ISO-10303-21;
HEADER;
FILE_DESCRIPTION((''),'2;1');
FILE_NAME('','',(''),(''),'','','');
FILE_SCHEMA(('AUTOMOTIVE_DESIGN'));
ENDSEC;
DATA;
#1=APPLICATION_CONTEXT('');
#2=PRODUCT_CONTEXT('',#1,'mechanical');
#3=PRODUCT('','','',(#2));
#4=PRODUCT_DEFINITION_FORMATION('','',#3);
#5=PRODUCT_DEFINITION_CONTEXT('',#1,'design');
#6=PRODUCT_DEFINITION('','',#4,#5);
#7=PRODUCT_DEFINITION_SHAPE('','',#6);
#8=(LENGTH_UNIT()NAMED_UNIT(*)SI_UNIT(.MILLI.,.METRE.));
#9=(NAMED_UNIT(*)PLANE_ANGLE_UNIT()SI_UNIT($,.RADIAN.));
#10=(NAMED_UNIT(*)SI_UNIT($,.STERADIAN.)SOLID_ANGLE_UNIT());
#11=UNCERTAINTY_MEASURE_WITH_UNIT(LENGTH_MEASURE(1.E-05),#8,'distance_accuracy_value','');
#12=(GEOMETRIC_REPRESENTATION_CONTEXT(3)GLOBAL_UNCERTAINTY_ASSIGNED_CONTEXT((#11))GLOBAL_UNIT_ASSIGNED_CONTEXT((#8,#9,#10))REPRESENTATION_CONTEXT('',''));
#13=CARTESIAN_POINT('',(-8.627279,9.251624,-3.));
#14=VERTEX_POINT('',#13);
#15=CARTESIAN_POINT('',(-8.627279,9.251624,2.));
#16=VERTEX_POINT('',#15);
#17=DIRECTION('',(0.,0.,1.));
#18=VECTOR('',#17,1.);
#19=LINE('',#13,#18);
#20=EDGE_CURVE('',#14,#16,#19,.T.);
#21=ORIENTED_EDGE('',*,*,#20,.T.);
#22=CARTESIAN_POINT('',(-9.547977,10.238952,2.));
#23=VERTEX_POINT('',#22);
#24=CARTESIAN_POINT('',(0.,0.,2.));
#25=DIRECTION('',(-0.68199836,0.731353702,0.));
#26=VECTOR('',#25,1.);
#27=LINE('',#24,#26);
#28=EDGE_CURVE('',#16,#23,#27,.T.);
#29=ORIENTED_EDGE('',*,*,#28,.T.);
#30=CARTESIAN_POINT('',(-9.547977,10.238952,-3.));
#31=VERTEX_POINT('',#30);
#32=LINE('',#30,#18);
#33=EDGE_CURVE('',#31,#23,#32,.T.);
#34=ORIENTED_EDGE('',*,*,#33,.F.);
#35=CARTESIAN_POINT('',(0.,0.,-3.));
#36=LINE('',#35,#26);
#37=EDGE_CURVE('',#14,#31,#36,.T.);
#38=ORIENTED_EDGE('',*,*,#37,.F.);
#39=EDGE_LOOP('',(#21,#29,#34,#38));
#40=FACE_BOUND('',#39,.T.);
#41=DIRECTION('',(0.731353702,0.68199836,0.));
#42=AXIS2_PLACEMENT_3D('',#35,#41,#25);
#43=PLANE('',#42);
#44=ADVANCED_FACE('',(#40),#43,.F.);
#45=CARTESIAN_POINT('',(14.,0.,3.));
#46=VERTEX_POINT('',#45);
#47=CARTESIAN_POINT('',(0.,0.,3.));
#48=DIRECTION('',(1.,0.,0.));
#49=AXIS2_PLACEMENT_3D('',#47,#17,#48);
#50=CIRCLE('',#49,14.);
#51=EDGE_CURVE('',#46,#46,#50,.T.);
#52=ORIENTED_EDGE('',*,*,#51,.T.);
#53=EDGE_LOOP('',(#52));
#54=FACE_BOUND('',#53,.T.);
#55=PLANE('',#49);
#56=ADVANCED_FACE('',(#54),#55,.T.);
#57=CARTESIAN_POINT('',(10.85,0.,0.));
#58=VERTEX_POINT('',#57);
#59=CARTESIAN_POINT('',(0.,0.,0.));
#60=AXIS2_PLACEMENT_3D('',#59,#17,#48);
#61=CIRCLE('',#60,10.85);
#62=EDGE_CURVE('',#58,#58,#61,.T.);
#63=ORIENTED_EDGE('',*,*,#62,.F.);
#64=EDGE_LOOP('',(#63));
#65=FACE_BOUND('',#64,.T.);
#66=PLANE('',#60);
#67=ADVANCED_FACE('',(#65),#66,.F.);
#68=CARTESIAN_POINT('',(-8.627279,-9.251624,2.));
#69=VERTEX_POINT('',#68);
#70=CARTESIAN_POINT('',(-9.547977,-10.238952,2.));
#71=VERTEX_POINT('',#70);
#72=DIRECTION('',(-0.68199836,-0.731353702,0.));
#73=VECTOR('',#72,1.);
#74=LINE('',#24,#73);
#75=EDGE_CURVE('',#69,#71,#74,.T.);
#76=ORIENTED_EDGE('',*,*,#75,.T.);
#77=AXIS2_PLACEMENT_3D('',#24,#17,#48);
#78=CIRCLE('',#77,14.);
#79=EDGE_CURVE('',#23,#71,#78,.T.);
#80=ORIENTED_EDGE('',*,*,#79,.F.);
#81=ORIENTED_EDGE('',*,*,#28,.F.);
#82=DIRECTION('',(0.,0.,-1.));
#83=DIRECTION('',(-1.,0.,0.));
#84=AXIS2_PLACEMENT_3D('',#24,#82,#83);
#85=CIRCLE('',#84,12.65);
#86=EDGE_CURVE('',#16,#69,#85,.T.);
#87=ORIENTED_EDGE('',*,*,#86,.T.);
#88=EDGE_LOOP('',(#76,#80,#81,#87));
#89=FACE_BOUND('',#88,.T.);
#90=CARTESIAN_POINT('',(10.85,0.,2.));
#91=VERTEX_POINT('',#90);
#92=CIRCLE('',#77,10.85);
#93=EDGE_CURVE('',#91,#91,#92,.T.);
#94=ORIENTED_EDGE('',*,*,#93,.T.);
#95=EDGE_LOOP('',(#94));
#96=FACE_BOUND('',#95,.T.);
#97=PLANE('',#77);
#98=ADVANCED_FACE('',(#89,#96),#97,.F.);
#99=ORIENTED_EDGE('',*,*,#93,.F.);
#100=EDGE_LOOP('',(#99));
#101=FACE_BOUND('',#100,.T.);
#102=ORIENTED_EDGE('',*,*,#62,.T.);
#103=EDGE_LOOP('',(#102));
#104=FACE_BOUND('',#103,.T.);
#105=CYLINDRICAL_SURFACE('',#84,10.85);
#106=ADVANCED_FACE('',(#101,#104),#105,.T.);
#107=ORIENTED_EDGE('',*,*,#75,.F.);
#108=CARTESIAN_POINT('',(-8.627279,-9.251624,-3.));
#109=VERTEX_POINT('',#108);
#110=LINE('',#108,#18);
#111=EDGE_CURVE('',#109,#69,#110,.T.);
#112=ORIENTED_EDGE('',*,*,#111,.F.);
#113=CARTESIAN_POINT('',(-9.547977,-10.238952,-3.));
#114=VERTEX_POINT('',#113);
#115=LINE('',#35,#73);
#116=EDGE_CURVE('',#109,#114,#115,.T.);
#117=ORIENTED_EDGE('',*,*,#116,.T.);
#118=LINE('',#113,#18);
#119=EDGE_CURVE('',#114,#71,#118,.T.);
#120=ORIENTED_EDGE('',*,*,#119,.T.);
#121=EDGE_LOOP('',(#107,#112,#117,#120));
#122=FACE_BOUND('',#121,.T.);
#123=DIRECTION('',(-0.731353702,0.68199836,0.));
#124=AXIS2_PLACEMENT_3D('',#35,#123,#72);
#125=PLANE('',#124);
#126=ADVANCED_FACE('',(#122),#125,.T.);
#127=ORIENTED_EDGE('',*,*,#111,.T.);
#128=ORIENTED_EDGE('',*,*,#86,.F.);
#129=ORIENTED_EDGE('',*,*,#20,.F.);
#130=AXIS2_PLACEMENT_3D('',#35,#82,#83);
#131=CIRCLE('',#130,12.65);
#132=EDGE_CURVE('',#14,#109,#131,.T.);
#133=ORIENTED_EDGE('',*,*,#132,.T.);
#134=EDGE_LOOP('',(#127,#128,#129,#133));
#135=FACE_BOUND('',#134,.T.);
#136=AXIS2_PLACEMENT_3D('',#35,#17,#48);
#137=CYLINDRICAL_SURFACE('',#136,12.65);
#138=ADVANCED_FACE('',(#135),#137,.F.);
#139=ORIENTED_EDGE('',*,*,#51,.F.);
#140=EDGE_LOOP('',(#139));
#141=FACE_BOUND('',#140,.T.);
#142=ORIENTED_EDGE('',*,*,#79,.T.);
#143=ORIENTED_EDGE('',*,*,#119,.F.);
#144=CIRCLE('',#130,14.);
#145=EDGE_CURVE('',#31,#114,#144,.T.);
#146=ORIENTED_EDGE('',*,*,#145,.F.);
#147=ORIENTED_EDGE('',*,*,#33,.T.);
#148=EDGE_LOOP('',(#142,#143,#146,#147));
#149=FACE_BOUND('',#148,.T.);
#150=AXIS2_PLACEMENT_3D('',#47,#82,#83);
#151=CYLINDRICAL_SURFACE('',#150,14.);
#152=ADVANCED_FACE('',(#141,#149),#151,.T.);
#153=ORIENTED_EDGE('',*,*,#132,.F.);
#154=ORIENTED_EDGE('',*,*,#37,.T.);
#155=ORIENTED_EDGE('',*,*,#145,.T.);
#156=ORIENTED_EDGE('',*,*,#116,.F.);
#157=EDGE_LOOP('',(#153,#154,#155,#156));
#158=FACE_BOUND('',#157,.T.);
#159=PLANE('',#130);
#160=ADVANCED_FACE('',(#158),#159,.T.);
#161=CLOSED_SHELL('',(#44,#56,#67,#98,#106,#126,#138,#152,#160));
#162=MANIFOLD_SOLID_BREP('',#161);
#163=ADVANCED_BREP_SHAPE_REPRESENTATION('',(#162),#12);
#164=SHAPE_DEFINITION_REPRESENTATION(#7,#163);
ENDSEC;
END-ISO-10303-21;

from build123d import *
from build123d.topology import SkipClean

# Parameters (mm, degrees)
SKETCH1_R           = 10.85
BOSS_EXTRUDE1_DEPTH = 2
SKETCH2_R           = 14
BOSS_EXTRUDE2_DEPTH = 1
BOSS_EXTRUDE3_START = 5
BOSS_EXTRUDE3_DEPTH = 5


with BuildPart() as part:
    # Sketch1 → Boss-Extrude1 (new body)
    with BuildSketch(Plane.XY):
        Circle(SKETCH1_R)
    extrude(amount=BOSS_EXTRUDE1_DEPTH)

    # Sketch2 → Boss-Extrude2 (add)
    with BuildSketch(Plane.XY.offset(2)):
        Circle(SKETCH2_R)
    extrude(amount=BOSS_EXTRUDE2_DEPTH)

    # Sketch3 → Boss-Extrude3 (add)
    with SkipClean():  # the faces are left unmerged after this step: merging them gives an invalid solid
        with BuildSketch(Plane(origin=(0, 0, 2), x_dir=(-1, 0, 0), z_dir=(0, 0, -1)).offset(BOSS_EXTRUDE3_START)):
            with BuildLine():
                ThreePointArc((8.627279255, -9.251624325), (-12.65, 0), (8.627279255, 9.251624325))
                Line((8.627279255, 9.251624325), (9.547977041, 10.238951823))
                ThreePointArc((9.547977041, 10.238951823), (-14, 0), (9.547977041, -10.238951823))
                Line((9.547977041, -10.238951823), (8.627279255, -9.251624325))
            make_face()
        extrude(amount=-BOSS_EXTRUDE3_DEPTH)


solid = part.part
